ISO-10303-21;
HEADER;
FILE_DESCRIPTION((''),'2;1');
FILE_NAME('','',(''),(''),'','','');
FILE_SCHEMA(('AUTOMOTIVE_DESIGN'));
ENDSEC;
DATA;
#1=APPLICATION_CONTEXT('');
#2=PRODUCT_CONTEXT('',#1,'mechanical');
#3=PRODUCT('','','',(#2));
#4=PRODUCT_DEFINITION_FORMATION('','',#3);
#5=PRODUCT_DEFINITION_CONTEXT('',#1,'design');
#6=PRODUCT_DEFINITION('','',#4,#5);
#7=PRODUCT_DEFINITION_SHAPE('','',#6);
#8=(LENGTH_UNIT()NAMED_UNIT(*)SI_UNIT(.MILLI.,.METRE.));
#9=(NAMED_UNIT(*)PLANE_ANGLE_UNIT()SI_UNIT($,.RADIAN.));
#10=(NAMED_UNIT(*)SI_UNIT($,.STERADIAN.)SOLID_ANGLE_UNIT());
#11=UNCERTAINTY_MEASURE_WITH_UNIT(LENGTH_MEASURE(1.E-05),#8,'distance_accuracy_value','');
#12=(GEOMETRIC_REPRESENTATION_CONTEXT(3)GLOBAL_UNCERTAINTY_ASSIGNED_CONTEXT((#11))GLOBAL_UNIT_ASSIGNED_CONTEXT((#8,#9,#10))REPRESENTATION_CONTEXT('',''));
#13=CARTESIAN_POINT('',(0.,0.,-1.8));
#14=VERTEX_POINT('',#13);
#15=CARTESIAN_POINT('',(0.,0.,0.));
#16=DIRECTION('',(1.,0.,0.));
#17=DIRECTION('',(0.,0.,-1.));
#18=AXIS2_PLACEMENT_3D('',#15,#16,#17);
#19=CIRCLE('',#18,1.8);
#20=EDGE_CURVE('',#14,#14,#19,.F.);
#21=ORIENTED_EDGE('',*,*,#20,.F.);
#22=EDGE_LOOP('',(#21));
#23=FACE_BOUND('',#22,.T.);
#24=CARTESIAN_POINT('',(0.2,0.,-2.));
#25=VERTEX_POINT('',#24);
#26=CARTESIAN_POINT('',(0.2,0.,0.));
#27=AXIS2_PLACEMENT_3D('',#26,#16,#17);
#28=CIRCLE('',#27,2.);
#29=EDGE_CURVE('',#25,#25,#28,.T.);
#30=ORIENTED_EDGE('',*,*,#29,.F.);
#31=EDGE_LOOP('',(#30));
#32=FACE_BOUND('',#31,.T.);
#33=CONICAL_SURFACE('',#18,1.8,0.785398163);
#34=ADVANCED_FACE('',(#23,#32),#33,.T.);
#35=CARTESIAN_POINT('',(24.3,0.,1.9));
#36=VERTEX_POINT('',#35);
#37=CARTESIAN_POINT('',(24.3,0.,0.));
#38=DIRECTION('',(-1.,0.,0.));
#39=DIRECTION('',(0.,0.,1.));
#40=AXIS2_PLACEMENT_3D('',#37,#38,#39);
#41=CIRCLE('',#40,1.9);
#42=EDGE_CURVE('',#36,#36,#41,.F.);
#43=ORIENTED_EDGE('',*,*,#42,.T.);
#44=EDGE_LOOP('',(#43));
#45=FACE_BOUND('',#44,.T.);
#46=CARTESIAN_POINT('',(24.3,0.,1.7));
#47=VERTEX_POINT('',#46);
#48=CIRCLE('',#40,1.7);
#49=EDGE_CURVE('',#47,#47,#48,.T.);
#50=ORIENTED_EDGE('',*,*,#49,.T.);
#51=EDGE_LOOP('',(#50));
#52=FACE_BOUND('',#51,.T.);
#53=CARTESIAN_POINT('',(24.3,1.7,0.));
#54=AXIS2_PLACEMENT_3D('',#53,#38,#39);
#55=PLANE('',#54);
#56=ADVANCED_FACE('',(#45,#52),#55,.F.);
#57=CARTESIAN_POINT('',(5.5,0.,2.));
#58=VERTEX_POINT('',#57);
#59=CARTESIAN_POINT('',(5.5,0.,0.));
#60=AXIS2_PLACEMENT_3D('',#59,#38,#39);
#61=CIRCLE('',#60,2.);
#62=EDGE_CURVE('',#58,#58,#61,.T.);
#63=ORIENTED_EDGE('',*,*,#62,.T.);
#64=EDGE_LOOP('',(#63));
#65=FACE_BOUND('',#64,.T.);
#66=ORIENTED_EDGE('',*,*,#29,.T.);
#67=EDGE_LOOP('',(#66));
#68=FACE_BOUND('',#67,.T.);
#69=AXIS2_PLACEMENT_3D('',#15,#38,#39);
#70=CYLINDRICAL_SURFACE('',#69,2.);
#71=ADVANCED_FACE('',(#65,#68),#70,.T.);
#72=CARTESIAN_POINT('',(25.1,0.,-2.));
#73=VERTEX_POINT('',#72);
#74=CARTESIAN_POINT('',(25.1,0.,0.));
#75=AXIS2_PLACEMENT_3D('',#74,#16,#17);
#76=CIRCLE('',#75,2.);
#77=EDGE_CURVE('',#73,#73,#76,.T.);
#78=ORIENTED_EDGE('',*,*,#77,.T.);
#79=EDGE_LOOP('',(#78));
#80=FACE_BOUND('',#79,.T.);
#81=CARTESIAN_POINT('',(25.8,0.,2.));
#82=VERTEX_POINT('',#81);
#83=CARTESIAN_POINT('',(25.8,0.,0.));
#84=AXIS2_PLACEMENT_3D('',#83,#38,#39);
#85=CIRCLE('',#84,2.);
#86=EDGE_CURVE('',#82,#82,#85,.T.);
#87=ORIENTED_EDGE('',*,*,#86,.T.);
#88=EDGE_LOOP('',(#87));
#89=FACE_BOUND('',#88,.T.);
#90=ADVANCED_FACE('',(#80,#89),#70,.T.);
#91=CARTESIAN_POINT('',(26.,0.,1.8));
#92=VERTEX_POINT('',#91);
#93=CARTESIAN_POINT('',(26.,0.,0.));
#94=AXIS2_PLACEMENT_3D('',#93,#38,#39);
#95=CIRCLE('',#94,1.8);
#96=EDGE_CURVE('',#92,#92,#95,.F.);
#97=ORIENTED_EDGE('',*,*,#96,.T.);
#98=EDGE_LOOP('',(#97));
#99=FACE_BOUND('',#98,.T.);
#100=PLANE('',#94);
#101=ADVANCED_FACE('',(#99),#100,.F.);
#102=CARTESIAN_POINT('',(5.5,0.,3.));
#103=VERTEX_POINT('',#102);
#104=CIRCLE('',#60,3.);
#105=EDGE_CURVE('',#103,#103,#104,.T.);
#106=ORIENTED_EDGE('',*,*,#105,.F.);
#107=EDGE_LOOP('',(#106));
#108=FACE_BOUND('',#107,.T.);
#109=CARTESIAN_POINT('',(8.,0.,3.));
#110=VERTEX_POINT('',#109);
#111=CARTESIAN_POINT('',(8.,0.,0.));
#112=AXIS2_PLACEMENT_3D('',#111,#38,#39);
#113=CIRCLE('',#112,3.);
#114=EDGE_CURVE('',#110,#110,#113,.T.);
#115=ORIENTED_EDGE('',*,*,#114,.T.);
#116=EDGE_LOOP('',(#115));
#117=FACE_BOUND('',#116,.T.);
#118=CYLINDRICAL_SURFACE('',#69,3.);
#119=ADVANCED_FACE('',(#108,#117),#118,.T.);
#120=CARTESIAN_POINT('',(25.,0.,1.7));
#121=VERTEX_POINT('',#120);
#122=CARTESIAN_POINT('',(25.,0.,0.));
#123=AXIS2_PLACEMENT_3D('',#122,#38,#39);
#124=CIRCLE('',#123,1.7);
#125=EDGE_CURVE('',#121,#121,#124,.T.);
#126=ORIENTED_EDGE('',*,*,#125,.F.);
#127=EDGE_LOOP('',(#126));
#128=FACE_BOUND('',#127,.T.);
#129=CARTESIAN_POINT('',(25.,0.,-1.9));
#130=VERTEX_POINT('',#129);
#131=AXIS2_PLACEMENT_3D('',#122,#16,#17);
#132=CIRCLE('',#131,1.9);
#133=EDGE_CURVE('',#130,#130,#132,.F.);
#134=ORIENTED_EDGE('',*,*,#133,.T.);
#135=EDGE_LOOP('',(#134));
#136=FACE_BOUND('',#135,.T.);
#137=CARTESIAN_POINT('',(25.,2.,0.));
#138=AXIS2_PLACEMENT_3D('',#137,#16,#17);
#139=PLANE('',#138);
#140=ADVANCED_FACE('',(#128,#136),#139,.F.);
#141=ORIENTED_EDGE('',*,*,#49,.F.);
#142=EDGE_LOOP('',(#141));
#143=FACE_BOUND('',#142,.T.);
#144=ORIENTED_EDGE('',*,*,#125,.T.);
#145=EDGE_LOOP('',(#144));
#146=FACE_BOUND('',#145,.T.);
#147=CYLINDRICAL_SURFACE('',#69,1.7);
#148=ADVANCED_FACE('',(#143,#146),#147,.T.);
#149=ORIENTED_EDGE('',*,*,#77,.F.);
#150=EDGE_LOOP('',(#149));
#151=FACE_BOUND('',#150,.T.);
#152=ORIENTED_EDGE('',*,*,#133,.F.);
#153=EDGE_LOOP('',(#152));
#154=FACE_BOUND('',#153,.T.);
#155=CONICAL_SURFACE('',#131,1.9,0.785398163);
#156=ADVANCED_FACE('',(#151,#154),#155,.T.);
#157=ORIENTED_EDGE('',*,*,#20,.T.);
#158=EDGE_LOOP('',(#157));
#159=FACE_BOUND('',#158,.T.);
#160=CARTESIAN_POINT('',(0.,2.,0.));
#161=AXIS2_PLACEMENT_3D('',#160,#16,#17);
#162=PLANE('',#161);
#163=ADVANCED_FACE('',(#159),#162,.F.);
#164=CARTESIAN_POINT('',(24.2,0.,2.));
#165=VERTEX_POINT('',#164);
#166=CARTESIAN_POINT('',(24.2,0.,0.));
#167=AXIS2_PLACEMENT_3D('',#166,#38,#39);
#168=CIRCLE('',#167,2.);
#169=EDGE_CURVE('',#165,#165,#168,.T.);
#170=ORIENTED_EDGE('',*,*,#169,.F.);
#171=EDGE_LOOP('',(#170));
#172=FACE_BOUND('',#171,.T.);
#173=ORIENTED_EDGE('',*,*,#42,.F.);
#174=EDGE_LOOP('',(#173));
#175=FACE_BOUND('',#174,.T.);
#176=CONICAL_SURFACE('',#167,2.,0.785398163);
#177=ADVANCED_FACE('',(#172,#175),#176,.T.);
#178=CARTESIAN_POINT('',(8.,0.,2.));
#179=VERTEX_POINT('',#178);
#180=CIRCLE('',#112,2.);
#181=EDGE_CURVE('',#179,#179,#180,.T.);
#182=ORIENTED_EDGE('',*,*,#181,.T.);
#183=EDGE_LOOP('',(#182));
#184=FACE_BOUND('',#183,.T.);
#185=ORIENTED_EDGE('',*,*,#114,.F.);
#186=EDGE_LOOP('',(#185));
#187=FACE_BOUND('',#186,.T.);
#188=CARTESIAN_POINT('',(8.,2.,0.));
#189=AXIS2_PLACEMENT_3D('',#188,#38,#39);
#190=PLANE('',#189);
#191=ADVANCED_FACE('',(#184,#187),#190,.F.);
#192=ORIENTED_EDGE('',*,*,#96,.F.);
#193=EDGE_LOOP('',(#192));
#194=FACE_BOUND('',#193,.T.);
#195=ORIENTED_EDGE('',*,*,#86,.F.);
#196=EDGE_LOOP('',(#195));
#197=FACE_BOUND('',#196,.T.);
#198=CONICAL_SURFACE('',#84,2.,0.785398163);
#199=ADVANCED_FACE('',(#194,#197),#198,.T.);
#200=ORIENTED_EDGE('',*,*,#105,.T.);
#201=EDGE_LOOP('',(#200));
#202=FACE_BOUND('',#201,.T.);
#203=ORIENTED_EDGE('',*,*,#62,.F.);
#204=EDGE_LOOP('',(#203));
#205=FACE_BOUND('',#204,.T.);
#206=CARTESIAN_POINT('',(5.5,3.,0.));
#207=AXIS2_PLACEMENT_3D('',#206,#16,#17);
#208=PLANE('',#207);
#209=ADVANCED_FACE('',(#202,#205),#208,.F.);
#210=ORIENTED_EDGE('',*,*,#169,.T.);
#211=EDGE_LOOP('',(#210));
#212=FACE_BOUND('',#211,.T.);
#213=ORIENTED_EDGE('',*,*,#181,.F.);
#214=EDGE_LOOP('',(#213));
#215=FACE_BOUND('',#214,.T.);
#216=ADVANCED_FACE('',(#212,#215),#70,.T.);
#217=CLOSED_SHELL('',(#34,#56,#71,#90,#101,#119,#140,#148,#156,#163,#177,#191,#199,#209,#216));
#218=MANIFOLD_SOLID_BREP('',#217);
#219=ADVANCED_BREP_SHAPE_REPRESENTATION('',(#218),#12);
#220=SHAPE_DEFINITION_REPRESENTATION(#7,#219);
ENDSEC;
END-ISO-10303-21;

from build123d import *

# Parameters (mm, degrees)
CHAMFER_1_SIZE = 0.2
CHAMFER_2_SIZE = 0.1


with BuildPart() as part:
    # Эскиз1 → Повернуть1 (revolve)
    with BuildSketch(Plane.XY, mode=Mode.PRIVATE) as revolve_1_sk:
        Polygon((0, 0), (26, 0), (26, 2), (25, 2), (25, 1.7), (24.3, 1.7), (24.3, 2), (8, 2), (8, 3), (5.5, 3), (5.5, 2), (0, 2), align=None)
    revolve(revolve_1_sk.sketch.rotate(Axis((0, 0, 0), (1, 0, 0)), 90), axis=Axis((0, 0, 0), (1, 0, 0)))

    # Фаска1
    chamfer_1_edges = [part.edges().sort_by_distance(p)[0] for p in [
        (26, 0, -2),
        (0, 0, -2),
    ]]
    chamfer(chamfer_1_edges, length=CHAMFER_1_SIZE)

    # Фаска2
    chamfer_2_edges = [part.edges().sort_by_distance(p)[0] for p in [
        (24.3, 0, -2),
        (25, 0, -2),
    ]]
    chamfer(chamfer_2_edges, length=CHAMFER_2_SIZE)


solid = part.part
